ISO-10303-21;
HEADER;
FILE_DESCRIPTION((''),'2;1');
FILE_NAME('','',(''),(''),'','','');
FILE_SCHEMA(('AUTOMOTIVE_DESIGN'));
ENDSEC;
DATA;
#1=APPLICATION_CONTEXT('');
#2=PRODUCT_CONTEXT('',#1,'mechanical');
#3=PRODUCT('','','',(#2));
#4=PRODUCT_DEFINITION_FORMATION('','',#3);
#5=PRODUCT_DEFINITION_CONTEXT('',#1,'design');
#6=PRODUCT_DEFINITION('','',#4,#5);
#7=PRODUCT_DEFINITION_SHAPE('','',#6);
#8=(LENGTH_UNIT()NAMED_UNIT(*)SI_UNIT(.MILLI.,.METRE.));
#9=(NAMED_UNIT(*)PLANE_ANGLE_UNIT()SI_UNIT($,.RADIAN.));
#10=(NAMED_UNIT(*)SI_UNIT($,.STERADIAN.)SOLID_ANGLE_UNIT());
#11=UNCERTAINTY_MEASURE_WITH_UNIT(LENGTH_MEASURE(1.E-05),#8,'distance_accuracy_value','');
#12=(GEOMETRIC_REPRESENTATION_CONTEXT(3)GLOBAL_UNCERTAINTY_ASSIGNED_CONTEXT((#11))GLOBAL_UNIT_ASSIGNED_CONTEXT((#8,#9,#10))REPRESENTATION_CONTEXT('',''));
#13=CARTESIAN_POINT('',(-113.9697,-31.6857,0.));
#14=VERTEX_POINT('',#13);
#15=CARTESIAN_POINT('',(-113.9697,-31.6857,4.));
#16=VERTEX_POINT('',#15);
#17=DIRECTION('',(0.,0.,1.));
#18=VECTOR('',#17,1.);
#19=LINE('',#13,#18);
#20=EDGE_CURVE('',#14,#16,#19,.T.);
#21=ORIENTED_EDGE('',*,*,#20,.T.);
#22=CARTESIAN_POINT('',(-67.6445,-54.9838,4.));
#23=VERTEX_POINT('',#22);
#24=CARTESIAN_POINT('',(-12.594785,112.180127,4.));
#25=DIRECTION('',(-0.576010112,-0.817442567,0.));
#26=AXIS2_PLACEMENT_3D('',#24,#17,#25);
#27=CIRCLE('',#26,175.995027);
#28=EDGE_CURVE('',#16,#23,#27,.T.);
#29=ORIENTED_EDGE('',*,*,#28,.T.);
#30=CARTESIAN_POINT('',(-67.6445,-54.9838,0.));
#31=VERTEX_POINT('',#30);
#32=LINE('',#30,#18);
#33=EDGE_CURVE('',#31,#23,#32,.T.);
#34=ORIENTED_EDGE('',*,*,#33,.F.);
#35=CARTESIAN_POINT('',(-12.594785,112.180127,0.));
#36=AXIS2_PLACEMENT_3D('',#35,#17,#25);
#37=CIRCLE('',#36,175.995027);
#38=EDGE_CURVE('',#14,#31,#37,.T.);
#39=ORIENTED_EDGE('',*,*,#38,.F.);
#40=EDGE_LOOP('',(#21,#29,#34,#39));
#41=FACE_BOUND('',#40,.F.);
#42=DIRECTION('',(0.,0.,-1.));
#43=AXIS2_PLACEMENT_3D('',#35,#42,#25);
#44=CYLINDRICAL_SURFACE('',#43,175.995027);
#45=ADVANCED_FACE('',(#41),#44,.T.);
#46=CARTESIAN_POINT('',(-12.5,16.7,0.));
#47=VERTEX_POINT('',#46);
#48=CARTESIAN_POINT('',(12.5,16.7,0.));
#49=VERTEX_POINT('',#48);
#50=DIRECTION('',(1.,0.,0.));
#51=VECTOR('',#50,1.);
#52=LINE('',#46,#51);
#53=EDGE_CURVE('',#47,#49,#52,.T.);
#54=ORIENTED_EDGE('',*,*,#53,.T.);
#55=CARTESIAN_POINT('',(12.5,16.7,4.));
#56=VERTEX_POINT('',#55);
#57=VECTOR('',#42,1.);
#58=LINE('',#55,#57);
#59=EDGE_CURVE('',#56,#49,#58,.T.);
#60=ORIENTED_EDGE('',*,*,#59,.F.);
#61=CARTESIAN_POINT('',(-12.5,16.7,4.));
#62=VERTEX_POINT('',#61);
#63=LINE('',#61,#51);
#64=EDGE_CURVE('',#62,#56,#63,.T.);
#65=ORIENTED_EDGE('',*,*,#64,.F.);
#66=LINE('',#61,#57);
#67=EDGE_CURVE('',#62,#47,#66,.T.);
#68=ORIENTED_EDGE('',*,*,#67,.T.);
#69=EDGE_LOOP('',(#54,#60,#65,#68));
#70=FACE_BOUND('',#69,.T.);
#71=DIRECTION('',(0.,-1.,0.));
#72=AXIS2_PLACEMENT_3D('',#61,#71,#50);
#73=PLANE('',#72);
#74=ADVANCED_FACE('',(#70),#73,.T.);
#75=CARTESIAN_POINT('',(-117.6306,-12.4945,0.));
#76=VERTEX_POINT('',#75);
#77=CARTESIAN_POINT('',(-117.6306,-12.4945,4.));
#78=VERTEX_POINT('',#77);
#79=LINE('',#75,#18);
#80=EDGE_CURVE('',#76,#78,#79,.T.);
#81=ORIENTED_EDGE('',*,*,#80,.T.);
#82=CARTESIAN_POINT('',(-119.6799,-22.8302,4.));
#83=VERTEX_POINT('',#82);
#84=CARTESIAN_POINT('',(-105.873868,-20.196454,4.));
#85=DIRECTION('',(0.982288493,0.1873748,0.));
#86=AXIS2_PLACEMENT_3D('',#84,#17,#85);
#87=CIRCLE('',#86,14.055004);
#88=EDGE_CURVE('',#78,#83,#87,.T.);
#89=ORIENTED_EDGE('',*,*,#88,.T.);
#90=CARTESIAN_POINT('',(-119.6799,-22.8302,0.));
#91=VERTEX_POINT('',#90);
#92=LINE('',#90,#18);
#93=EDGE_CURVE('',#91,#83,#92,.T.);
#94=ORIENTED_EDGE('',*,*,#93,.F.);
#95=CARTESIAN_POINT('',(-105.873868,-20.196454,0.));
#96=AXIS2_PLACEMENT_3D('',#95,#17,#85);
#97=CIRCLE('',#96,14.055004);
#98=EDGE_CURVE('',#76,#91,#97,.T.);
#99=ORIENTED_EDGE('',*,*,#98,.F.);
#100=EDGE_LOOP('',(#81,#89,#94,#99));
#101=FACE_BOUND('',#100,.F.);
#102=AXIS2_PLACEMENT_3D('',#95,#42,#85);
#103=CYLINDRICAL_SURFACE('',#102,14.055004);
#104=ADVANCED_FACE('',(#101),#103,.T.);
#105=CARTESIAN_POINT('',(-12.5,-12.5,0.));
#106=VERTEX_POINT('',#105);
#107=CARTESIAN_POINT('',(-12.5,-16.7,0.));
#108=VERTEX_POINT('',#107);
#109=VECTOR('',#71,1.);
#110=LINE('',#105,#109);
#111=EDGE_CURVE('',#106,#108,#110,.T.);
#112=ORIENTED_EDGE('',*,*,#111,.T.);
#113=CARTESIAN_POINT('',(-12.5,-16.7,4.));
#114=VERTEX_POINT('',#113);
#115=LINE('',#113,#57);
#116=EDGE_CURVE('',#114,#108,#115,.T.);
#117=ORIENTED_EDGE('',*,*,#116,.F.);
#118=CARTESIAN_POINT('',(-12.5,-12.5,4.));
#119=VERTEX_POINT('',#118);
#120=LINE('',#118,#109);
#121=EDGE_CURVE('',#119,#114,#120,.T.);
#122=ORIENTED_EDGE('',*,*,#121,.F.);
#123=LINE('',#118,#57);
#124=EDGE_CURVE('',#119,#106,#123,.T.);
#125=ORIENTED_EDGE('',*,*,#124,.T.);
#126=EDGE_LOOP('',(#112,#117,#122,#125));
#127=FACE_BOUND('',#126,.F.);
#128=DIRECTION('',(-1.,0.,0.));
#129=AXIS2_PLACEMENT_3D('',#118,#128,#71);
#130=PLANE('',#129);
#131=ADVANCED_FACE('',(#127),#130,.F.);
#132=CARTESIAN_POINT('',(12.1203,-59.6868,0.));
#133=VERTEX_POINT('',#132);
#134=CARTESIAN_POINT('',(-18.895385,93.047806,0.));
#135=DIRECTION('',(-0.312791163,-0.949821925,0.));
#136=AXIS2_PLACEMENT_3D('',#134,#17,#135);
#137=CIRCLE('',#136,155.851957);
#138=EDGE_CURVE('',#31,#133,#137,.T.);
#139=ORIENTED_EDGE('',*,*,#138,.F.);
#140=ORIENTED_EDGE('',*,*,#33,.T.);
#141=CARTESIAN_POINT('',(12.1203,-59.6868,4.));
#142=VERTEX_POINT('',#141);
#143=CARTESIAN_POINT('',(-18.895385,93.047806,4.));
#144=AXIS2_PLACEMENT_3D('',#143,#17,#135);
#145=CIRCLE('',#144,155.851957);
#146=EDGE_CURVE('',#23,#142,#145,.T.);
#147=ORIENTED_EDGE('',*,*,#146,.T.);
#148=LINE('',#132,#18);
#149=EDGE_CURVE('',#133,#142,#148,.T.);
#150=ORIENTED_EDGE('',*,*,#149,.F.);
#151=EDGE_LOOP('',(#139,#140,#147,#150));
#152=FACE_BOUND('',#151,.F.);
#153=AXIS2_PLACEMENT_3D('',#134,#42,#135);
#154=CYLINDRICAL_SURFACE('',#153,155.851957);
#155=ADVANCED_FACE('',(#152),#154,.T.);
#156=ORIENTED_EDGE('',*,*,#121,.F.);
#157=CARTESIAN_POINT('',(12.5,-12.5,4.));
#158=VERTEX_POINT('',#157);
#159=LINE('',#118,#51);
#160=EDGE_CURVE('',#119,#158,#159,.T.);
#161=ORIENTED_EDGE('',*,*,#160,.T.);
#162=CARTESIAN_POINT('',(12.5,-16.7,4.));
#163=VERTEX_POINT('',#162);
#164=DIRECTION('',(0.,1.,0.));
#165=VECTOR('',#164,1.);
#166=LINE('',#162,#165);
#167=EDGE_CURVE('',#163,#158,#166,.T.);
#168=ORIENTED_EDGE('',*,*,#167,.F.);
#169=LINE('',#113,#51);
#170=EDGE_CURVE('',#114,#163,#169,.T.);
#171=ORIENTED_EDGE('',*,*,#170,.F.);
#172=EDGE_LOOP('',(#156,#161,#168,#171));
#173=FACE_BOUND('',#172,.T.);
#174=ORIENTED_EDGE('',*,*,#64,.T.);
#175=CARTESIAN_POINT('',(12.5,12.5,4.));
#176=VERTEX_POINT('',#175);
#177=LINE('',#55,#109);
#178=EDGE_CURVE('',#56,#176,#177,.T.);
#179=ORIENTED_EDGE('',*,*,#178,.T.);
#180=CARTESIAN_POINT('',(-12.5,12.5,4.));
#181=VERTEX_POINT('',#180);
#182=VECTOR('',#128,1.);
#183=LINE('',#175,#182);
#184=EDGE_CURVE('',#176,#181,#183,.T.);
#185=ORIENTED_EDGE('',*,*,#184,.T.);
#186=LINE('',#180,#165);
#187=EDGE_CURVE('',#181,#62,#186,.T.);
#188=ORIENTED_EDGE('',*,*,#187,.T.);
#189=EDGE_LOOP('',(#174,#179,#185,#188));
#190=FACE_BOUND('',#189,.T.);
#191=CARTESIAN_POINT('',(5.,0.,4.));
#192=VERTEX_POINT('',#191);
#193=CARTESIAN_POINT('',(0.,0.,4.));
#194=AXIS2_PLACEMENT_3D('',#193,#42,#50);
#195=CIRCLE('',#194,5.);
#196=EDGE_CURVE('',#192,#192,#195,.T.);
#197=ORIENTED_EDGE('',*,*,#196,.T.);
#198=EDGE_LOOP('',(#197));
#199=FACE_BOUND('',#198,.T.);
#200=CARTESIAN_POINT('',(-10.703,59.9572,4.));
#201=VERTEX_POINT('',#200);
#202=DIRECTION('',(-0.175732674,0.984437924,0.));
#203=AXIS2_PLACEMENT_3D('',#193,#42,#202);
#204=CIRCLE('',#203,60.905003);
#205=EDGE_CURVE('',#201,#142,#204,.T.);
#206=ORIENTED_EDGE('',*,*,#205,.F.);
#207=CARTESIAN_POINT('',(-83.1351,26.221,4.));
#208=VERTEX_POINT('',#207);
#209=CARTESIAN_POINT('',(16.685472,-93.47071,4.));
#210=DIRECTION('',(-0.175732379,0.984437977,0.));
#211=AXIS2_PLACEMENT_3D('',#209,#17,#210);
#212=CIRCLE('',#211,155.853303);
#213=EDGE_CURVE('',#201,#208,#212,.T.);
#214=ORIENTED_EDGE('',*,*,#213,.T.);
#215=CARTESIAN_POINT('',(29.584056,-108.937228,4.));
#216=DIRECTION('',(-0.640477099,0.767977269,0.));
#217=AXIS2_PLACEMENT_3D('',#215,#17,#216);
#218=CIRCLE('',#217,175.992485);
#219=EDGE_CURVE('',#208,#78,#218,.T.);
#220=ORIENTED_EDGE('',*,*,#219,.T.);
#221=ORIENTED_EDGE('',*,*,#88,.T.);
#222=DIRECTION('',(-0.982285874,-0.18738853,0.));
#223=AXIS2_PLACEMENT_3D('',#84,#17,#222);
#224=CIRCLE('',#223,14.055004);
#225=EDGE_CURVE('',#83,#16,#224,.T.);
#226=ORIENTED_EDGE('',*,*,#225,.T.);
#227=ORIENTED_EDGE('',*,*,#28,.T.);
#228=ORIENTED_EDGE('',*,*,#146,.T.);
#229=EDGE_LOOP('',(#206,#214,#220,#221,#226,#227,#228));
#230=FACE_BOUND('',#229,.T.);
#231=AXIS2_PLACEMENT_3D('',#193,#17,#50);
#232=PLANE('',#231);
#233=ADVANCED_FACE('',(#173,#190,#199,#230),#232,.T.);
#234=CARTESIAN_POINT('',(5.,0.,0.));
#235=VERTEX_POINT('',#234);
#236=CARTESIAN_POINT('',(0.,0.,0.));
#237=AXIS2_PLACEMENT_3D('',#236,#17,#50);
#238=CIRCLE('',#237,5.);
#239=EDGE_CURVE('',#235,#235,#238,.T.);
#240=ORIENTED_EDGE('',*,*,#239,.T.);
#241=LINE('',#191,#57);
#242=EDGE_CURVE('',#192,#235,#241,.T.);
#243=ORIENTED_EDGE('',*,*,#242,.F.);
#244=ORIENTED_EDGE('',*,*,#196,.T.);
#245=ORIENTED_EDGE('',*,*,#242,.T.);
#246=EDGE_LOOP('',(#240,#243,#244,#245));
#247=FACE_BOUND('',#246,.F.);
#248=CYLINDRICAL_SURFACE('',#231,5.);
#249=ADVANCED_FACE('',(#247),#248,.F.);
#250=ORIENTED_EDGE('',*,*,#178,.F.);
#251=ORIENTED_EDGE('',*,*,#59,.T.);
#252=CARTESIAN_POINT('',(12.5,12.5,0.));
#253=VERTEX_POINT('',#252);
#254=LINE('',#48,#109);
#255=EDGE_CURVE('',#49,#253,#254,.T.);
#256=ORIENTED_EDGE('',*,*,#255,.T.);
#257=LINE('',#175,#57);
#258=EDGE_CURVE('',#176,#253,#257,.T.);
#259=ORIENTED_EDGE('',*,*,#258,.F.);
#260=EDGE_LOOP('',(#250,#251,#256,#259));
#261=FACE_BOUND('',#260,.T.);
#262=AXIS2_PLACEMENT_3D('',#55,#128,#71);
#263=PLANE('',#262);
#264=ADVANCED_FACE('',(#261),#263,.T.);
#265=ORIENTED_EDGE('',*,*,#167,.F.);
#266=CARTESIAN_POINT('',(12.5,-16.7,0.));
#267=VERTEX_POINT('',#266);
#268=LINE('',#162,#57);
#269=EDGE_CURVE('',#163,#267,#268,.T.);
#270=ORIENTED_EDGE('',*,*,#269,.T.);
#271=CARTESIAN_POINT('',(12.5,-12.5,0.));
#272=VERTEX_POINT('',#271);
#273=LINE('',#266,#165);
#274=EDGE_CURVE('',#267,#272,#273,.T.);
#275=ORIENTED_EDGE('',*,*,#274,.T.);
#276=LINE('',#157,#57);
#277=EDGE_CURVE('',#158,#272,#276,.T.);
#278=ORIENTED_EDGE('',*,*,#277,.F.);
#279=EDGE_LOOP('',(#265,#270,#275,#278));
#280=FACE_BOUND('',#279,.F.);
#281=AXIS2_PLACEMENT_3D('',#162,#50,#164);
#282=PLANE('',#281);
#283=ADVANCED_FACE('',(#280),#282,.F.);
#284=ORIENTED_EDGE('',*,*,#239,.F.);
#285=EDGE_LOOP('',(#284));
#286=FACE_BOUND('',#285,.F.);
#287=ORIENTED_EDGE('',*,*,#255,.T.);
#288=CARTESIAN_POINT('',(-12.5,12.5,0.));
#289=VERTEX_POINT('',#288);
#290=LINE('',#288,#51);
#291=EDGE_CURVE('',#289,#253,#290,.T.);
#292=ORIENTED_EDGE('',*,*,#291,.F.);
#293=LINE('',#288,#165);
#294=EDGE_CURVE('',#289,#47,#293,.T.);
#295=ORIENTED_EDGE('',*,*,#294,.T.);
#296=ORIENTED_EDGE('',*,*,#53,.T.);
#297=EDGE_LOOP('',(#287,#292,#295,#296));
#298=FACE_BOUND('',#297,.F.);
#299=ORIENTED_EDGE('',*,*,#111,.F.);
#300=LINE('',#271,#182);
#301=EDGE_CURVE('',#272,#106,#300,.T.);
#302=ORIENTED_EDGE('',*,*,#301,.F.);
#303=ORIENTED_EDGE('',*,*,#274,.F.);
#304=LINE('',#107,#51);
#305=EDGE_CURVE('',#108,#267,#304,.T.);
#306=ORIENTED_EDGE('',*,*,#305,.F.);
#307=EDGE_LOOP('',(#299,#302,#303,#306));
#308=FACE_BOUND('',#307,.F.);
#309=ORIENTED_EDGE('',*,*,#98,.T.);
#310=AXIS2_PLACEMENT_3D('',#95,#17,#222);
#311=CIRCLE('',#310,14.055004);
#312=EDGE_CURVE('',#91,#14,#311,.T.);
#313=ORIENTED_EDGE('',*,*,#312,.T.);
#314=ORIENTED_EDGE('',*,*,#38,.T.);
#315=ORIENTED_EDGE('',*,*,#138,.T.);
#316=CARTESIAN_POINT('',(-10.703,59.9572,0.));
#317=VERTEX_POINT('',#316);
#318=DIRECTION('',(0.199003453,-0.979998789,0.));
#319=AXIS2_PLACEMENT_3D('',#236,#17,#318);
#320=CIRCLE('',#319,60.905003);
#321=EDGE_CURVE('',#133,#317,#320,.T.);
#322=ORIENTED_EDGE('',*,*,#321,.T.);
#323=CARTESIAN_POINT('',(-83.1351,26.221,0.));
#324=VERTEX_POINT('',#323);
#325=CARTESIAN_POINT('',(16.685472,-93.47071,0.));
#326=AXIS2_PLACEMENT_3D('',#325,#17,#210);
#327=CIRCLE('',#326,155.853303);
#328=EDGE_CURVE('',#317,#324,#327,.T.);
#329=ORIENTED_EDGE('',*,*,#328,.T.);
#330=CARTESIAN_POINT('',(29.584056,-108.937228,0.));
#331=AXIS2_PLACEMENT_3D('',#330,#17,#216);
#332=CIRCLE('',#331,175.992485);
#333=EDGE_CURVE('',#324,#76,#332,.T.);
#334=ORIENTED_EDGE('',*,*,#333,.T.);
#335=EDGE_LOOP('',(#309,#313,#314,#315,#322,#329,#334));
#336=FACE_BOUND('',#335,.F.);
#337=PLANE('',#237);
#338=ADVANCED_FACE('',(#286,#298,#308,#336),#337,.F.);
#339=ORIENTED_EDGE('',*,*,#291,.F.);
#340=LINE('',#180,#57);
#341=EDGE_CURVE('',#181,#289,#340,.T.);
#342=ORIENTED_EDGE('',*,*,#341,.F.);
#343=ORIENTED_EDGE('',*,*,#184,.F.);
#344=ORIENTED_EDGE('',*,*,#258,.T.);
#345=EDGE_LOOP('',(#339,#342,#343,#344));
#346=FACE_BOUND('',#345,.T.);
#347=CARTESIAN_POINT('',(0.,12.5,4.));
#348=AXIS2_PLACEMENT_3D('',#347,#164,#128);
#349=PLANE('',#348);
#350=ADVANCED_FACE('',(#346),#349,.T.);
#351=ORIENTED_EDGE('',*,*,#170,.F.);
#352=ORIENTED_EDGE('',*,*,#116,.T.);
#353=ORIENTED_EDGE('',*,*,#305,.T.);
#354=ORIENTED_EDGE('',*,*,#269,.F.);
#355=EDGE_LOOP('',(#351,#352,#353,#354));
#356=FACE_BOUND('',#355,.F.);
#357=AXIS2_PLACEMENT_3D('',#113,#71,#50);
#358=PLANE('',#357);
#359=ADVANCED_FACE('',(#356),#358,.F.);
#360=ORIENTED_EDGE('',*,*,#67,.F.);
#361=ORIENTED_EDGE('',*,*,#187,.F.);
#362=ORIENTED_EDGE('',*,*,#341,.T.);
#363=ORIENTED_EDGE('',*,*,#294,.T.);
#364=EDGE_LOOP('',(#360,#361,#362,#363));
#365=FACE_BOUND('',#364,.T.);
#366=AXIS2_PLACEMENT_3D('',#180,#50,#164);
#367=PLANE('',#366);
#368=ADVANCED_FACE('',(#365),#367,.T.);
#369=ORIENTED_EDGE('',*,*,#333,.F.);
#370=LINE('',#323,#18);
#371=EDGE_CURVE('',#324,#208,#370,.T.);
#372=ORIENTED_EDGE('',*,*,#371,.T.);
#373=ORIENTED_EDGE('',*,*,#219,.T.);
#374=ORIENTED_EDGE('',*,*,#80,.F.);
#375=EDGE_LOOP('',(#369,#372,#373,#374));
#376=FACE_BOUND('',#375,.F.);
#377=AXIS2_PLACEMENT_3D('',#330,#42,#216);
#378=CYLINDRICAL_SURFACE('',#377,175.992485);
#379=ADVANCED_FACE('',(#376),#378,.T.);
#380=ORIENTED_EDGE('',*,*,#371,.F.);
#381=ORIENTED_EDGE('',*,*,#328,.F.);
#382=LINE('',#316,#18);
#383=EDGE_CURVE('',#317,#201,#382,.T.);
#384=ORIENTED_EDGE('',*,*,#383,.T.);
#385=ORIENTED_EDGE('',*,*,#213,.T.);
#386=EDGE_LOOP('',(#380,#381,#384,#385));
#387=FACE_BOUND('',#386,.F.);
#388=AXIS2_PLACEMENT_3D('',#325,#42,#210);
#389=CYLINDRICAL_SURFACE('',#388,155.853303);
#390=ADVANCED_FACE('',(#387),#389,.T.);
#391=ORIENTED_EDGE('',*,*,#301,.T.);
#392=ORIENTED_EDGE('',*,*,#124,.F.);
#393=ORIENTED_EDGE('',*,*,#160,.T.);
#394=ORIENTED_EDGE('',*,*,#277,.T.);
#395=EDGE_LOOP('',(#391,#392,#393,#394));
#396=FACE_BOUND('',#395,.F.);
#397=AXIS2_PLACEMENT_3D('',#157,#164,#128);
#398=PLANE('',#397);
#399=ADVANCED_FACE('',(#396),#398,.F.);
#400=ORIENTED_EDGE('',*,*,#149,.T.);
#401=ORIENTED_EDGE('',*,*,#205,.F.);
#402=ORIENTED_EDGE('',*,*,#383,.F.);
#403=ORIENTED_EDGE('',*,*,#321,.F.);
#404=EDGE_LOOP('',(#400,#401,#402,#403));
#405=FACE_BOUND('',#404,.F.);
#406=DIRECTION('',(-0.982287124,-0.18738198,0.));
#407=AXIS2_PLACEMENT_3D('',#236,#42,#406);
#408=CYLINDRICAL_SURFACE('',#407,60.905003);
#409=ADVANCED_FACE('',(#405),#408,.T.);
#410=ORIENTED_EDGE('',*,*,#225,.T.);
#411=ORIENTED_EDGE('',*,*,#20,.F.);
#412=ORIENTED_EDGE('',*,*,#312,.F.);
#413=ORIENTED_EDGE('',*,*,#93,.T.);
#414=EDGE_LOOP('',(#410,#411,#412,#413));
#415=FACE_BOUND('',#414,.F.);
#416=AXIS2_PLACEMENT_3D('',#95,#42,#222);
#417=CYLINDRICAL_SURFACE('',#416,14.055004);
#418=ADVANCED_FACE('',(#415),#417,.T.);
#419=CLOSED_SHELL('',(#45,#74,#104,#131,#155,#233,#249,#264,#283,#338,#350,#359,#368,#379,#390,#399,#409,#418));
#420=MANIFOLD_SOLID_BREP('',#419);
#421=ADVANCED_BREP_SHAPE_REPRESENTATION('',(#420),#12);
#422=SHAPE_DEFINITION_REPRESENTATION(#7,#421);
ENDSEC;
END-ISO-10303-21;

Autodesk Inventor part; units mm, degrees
ref_plane "YZ Plane" through (0, 0, 0) normal (1, 0, 0) x (0, 1, 0)
ref_plane "XZ Plane" through (0, 0, 0) normal (0, 1, 0) x (-1, 0, 0)
ref_plane "XY Plane" through (0, 0, 0) normal (0, 0, 1) x (1, 0, 0)
sketch "Boceto1" plane through (0, 0, 0) normal (0, 0, 1) x (1, 0, 0)
  arc A0 (59.8262, 11.4125) -> (-59.8262, -11.4125) centre (0, 0) ccw
  arc A1 (-92.0678, -17.5629) -> (-119.6799, -22.8302) centre (-105.8739, -20.1965) ccw
  line L0 (-123.6771, -23.5927) -> (-126.3108, -9.7866)
  line L1 (-10.703, 59.9572) -> (-15.0924, 82.9673)
  line L2 (-15.0924, 82.9673) -> (-126.3108, -9.7866)
  line L3 (-126.3108, -9.7866) -> (-83.1351, 26.221)
  arc A2 (-10.703, 59.9572) -> (-83.1351, 26.221) centre (16.6855, -93.4708) ccw
  arc A3 (-83.1351, 26.221) -> (-117.6306, -12.4945) centre (29.5849, -108.9381) ccw
  line L4 (4.602, 0.8779) -> (59.8262, 11.4125)
  line L5 (-4.602, -0.8779) -> (-123.6771, -23.5927)
  arc A4 (-59.8262, -11.4125) -> (59.8262, 11.4125) centre (0, 0) ccw
  arc A5 (-119.6799, -22.8302) -> (-92.0678, -17.5629) centre (-105.8739, -20.1965) ccw
  line L6 (-123.6771, -23.5927) -> (-121.0435, -37.3987)
  line L7 (12.1203, -59.6868) -> (16.5098, -82.6969)
  line L8 (16.5098, -82.6969) -> (-121.0435, -37.3987)
  line L9 (-121.0435, -37.3987) -> (-67.6445, -54.9838)
  arc A6 (-67.6445, -54.9838) -> (12.1203, -59.6868) centre (-18.8951, 93.0493) ccw
  arc A7 (-113.9697, -31.6857) -> (-67.6445, -54.9838) centre (-12.5954, 112.1791) ccw
  dimension "d0" = 121.81
  dimension "d6" = 28.11
  dimension "d7" = 14.055
  dimension "d8" = 23.425
  dimension "d9" = 56.22
extrude "Extrusión2" add sketch "Boceto1" along normal blind 4 contours A4 A0 | A0 L5 A1 A3 A2 | A6 A7 A5 L5 A4 | L5 A1 | A5 L5
sketch "Boceto2" plane through (0, 0, 4) normal (0, 0, 1) x (1, 0, 0)
  line L0 (0, 0) -> (0, 12.5)
  line L1 (0, 12.5) -> (-12.5, 12.5)
  line L2 (-12.5, 12.5) -> (-12.5, 16.7)
  line L3 (-12.5, 16.7) -> (12.5, 16.7)
  line L4 (12.5, 16.7) -> (12.5, 12.5)
  line L5 (12.5, 12.5) -> (0, 12.5)
  line L6 (0, 0) -> (12.5, 0)
  line L7 (0, 0) -> (0, -12.5)
  line L8 (0, -12.5) -> (-12.5, -12.5)
  line L9 (-12.5, -12.5) -> (-12.5, -16.7)
  line L10 (-12.5, -16.7) -> (12.5, -16.7)
  line L11 (12.5, -16.7) -> (12.5, -12.5)
  line L12 (12.5, -12.5) -> (0, -12.5)
  circle A0 centre (0, 0) radius 5
  dimension "d24" = 12.5
  dimension "d25" = 12.5
  dimension "d26" = 4.2
  dimension "d27" = 25
  dimension "d28" = 10
extrude "Extrusión3" cut sketch "Boceto2" against normal blind 4
properties part number "leva00" material "Madera (abedul)"
